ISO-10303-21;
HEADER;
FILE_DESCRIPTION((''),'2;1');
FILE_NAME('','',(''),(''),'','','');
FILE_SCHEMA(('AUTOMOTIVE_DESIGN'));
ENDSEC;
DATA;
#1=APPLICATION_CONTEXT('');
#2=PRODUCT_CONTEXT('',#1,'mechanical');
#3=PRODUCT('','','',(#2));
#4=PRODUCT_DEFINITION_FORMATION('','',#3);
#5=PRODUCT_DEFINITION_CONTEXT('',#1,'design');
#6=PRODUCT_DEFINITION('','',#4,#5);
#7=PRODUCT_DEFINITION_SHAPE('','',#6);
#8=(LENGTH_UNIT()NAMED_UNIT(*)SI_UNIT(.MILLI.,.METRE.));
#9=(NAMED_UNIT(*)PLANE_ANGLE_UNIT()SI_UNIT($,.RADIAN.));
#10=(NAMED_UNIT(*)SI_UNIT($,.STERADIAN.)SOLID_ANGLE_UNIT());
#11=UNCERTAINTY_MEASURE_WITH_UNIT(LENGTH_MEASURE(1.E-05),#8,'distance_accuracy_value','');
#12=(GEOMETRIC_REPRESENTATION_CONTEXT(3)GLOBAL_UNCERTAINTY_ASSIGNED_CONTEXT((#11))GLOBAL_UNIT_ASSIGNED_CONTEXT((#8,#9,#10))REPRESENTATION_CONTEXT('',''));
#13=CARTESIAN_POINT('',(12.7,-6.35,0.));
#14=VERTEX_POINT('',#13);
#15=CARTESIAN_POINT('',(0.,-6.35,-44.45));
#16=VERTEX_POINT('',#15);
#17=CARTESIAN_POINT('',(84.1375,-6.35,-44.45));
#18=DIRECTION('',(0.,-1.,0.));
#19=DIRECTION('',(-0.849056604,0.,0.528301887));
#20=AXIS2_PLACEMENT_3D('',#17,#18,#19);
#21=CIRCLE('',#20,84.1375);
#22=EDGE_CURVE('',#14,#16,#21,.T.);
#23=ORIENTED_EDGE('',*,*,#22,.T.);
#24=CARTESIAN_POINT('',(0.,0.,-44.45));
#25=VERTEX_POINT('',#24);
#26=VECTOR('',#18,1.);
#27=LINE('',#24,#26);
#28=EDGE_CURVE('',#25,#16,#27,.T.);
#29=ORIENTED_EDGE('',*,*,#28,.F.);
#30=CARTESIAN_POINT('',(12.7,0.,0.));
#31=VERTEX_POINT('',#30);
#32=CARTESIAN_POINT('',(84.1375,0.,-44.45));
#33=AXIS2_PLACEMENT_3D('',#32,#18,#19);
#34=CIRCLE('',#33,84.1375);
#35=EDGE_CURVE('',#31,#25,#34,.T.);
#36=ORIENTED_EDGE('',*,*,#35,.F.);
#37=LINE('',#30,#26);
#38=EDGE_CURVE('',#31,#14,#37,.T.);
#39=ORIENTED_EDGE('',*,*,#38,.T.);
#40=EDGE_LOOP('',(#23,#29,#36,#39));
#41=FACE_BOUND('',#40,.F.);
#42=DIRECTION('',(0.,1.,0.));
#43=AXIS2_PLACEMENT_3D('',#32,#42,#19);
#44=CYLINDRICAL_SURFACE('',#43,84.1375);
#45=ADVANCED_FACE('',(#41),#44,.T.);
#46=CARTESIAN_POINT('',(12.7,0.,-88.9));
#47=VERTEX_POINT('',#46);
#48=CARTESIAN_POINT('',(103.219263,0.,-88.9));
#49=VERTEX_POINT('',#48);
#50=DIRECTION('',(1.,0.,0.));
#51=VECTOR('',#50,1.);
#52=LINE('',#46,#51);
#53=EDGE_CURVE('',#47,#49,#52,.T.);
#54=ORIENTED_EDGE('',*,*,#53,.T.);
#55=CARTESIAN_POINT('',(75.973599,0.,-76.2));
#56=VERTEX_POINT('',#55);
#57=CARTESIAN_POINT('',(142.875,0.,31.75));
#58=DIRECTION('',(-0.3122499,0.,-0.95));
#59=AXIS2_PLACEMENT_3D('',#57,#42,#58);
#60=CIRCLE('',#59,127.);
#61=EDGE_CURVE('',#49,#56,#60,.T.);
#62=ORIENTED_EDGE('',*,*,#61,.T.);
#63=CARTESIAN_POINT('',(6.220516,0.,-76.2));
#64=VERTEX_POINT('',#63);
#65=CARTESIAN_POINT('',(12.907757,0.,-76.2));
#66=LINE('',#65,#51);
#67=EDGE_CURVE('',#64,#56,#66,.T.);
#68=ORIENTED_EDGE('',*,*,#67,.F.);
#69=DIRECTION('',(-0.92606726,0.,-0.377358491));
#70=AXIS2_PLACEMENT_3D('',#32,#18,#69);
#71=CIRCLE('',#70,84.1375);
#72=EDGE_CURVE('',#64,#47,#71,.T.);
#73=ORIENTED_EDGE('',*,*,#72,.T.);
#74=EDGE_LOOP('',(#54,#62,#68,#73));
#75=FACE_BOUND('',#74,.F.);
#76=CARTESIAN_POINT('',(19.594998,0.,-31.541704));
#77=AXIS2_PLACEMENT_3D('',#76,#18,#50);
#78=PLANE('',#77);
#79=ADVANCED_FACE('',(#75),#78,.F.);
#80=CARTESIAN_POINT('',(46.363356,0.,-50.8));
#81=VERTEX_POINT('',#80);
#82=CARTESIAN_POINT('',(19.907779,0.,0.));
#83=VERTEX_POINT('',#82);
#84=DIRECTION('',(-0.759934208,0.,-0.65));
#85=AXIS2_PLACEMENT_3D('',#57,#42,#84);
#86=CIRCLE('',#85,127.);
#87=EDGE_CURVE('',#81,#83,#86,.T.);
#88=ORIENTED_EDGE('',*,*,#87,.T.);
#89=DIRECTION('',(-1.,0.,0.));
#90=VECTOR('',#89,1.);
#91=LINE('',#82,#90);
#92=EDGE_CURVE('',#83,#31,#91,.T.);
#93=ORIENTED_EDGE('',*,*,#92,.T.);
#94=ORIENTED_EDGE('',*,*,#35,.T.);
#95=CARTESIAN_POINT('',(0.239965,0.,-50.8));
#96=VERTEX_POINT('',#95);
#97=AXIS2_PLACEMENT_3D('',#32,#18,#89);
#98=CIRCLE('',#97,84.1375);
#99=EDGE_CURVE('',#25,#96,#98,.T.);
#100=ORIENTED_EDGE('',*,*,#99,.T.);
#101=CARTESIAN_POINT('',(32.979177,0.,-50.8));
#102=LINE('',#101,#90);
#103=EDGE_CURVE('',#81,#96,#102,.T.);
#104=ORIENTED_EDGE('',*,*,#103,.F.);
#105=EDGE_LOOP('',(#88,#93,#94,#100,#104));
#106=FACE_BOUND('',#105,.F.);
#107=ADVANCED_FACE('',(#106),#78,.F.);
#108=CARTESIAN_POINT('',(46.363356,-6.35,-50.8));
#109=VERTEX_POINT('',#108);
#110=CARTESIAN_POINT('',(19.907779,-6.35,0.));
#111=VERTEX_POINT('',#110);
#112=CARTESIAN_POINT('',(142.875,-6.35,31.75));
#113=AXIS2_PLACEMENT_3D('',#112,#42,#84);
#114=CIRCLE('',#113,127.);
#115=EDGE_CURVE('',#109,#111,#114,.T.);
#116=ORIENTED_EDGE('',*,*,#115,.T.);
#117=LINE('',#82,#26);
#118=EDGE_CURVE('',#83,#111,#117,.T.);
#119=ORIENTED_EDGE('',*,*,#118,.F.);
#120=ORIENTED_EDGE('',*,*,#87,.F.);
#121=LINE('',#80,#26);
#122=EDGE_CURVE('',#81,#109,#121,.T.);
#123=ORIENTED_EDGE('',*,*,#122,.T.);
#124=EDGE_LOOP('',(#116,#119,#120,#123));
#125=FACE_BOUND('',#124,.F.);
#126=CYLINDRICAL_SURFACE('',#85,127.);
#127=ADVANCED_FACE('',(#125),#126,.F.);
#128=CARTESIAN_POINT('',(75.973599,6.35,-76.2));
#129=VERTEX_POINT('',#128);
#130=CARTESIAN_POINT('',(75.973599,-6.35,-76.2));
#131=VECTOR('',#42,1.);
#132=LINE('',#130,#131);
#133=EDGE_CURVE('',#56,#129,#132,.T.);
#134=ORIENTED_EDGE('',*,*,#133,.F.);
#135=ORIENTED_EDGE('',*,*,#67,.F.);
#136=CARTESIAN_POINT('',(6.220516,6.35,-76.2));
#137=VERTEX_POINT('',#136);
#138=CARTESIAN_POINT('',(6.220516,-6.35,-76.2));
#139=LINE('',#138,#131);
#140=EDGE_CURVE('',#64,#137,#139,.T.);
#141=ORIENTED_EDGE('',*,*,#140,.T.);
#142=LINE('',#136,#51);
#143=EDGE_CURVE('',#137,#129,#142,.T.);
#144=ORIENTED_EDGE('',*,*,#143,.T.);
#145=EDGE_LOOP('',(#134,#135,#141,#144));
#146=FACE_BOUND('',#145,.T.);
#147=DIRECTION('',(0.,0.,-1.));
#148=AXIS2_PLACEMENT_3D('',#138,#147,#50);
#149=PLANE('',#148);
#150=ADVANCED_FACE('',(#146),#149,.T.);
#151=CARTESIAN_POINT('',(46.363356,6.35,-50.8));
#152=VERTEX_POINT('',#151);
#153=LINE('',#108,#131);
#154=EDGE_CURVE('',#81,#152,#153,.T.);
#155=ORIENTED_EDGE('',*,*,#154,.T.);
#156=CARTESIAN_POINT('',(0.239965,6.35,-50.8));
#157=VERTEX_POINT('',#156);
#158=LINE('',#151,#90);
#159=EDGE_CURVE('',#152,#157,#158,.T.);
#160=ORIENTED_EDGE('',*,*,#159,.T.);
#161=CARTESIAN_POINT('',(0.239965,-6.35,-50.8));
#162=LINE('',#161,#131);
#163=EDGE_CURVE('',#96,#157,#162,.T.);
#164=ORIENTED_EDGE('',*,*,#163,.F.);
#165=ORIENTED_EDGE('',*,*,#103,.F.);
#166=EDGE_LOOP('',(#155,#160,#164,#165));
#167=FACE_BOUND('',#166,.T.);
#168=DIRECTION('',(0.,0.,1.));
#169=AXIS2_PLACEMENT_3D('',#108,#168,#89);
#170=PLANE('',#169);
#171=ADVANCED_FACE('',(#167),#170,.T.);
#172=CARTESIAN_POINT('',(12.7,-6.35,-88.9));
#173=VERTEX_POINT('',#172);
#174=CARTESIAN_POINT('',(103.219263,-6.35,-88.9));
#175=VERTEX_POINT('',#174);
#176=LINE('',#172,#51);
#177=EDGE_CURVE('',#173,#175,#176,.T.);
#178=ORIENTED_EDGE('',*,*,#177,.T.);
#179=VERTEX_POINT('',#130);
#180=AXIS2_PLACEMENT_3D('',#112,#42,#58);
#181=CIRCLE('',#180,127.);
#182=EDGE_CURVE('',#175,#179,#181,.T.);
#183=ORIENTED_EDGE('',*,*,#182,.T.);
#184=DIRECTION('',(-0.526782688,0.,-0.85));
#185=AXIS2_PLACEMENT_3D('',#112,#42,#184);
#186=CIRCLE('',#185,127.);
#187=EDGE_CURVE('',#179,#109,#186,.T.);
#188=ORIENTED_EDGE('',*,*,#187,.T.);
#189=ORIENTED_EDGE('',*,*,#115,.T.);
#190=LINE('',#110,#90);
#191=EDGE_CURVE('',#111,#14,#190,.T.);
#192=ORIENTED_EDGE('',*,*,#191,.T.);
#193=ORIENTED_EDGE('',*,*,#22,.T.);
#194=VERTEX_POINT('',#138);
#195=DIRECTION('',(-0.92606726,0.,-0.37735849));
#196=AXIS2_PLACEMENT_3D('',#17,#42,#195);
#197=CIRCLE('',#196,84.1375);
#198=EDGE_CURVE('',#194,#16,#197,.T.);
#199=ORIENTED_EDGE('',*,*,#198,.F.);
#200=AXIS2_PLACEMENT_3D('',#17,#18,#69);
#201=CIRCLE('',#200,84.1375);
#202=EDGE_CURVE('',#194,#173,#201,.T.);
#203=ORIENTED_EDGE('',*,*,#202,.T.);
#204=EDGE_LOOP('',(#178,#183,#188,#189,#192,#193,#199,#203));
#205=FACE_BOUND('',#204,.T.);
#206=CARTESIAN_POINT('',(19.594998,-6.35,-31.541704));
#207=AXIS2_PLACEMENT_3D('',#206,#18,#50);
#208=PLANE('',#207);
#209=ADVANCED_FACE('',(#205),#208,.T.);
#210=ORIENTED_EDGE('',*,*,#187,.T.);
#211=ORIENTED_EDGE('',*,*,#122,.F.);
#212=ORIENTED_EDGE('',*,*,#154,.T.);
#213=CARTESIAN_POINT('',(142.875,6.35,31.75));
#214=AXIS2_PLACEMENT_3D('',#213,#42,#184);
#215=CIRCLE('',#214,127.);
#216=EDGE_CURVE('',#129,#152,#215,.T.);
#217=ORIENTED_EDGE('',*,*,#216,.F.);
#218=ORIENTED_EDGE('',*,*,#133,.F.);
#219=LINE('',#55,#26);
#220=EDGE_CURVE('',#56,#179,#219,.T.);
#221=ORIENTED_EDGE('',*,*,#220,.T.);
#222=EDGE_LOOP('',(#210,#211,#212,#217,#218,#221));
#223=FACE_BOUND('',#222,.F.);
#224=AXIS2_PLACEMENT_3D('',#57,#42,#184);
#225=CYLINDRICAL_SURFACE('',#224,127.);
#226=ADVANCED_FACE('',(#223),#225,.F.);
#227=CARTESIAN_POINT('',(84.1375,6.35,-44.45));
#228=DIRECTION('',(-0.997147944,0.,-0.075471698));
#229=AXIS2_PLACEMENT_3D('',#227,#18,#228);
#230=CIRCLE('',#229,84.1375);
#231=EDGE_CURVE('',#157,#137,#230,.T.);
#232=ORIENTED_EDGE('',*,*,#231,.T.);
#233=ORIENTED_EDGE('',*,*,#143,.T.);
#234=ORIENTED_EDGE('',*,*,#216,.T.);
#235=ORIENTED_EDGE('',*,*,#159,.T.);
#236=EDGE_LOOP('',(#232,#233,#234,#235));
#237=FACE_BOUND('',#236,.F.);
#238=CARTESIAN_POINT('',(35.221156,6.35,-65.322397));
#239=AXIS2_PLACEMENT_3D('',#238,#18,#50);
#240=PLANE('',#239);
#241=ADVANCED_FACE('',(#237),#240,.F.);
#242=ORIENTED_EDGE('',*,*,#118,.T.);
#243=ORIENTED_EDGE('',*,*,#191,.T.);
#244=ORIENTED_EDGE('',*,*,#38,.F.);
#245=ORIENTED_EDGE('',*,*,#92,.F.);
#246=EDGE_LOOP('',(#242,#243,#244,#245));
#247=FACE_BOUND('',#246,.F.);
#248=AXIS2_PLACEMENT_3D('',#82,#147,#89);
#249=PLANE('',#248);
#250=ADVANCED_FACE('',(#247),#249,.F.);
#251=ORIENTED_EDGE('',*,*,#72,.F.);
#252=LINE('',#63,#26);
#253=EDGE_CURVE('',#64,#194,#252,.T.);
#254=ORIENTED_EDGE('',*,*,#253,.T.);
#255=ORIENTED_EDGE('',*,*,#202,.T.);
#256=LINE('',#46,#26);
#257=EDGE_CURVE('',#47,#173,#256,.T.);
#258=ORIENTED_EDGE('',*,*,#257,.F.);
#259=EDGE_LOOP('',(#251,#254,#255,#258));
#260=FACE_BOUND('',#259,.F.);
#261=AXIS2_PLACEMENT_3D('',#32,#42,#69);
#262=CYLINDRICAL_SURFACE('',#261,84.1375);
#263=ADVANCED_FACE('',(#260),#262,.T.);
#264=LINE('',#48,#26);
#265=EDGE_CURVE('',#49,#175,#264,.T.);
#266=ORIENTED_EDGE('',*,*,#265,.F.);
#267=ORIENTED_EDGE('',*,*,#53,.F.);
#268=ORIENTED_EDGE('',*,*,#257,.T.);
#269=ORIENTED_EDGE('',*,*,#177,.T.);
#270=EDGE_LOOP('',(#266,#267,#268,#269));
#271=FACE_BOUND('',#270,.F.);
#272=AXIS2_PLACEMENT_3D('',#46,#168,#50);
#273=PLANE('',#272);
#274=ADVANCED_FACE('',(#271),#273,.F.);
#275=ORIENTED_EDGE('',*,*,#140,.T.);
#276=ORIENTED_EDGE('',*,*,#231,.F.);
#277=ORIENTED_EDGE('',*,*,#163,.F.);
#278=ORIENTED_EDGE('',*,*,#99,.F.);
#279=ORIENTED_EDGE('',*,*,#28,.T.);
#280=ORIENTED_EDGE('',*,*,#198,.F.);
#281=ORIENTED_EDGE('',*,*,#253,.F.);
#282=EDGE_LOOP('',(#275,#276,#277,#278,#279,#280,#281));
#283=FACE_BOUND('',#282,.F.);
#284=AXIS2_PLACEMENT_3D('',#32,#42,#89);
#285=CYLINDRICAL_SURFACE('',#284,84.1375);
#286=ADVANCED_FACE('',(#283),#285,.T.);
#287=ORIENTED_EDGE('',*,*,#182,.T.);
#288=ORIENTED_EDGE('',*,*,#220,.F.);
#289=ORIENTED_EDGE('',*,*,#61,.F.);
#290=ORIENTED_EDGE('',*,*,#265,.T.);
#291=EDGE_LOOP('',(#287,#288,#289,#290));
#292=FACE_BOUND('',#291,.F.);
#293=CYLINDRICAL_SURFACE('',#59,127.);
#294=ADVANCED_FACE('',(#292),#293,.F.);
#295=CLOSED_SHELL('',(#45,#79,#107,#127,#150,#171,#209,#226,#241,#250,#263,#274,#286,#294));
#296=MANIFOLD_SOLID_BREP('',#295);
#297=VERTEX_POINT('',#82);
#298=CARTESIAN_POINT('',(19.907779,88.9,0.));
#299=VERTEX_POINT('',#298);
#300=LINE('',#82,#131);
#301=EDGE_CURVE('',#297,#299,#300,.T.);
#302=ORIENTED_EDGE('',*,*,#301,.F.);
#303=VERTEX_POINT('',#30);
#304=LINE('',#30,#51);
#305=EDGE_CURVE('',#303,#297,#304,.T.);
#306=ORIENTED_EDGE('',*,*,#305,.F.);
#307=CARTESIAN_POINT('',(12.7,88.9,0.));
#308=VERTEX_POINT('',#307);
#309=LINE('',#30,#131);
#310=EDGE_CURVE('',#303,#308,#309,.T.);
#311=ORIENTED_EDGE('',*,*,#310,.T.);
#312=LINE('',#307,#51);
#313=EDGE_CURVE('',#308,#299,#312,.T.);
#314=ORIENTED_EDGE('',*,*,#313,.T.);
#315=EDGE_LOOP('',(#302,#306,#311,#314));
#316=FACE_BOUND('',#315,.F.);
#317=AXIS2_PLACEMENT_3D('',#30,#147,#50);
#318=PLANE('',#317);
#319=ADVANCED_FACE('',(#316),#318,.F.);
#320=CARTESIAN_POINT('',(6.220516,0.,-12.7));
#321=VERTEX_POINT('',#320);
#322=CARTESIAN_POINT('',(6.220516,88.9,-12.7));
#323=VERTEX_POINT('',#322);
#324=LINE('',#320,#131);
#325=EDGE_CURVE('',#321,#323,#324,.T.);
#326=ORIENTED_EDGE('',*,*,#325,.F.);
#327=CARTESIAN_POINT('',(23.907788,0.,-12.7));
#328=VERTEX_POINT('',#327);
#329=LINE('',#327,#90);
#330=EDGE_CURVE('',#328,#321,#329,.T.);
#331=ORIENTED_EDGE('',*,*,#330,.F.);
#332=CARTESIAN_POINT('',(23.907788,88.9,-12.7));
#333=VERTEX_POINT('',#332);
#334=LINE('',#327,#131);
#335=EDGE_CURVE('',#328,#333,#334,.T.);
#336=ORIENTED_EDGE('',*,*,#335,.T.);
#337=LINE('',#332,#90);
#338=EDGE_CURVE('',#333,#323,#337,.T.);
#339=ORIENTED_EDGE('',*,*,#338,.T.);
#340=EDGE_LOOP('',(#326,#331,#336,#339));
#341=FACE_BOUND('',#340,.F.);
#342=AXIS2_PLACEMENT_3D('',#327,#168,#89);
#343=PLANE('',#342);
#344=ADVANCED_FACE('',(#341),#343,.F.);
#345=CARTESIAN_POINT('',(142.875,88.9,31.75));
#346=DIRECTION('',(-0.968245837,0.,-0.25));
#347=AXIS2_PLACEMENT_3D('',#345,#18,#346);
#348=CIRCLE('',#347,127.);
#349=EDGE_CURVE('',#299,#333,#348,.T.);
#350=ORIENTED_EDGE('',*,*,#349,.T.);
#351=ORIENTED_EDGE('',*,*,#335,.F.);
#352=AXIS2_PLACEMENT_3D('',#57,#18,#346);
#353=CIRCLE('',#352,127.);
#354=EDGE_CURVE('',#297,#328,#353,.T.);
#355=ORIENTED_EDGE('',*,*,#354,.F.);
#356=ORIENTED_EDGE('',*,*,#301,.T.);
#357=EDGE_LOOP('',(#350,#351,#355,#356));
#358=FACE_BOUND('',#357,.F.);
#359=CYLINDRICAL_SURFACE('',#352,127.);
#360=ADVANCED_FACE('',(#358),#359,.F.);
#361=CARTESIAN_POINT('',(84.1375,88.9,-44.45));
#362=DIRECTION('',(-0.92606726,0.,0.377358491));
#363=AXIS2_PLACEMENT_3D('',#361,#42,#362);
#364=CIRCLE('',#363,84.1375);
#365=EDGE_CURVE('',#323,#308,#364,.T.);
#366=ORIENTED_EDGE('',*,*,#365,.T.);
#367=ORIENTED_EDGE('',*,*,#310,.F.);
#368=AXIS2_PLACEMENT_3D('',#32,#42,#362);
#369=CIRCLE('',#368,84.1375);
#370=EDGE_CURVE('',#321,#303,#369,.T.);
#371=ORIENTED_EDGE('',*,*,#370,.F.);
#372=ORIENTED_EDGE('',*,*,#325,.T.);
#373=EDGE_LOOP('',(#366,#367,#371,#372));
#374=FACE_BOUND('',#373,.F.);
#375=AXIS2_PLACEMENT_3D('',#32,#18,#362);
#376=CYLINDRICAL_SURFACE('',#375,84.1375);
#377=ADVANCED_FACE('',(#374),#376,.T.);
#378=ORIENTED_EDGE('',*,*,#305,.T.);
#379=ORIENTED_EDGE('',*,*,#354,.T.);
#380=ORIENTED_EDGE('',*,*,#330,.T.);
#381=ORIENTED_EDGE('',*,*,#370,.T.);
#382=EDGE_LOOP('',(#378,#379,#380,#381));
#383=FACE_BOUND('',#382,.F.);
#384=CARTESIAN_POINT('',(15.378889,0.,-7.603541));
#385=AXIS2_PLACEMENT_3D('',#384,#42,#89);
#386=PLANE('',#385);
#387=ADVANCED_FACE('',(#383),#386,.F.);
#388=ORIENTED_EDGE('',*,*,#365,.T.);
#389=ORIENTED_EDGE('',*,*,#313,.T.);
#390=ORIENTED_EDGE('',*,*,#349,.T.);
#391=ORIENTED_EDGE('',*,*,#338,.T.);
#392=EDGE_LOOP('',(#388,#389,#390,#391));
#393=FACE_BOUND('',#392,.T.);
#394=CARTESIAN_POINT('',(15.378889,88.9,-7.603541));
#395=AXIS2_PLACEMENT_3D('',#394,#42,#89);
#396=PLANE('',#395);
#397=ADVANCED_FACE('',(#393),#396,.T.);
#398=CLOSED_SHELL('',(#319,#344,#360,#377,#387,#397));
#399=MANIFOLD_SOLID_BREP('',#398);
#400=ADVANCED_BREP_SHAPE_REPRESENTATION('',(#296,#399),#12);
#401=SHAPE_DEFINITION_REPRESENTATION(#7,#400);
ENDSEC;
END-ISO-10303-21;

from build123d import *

# Parameters (mm, degrees)
F1_DEPTH = 6.35
F3_DEPTH = 12.7
F5_DEPTH = 88.9


with BuildPart() as f1:
    # F0 (on Front) → F1 (new body)
    with BuildSketch(Plane.XZ):
        with BuildLine():
            ThreePointArc((12.7, 0), (3.2372788554, -21.3356511015), (0, -44.45))
            ThreePointArc((0, -44.45), (0.0600126121, -47.6272662433), (0.2399648381, -50.8))
            Line((0.2399648381, -50.8), (46.3633556248, -50.8))
            ThreePointArc((46.3633556248, -50.8), (30.2344073473, -26.9108633319), (19.9077787579, 0))
            Line((19.9077787579, 0), (12.7, 0))
        make_face()
        with BuildLine():
            Line((46.3633556248, -50.8), (0.2399648381, -50.8))
            ThreePointArc((0.2399648381, -50.8), (2.2395472881, -63.7332634128), (6.220515932, -76.2))
            Line((6.220515932, -76.2), (75.9735986694, -76.2))
            ThreePointArc((75.9735986694, -76.2), (60.1873595892, -64.6437452498), (46.3633556248, -50.8))
        make_face()
        with BuildLine():
            ThreePointArc((6.220515932, -76.2), (9.1907657296, -82.6874937522), (12.7, -88.9))
            Line((12.7, -88.9), (13.0139251954, -88.9))
            Line((13.0139251954, -88.9), (103.2192627102, -88.9))
            ThreePointArc((103.2192627102, -88.9), (89.2193530675, -83.3589551349), (75.9735986694, -76.2))
            Line((75.9735986694, -76.2), (6.220515932, -76.2))
        make_face()
    extrude(amount=F1_DEPTH)

    # F2 (on face) → F3 (join)
    with BuildSketch(Plane.XZ.offset(6.35)):
        with BuildLine():
            ThreePointArc((0.2399648381, -50.8), (2.2395472881, -63.7332634128), (6.220515932, -76.2))
            Line((6.220515932, -76.2), (75.9735986694, -76.2))
            ThreePointArc((75.9735986694, -76.2), (60.1873595892, -64.6437452498), (46.3633556248, -50.8))
            Line((46.3633556248, -50.8), (0.2399648381, -50.8))
        make_face()
    extrude(amount=-F3_DEPTH)


with BuildPart() as f5:
    # F4 (on face) → F5 (new body)
    with BuildSketch(Plane(origin=(0, 0, 0), x_dir=(-1, 0, 0), z_dir=(0, 1, 0))):
        with BuildLine():
            ThreePointArc((-19.9077787579, 0), (-21.741231045, -6.4024575715), (-23.9077881305, -12.7))
            Line((-23.9077881305, -12.7), (-6.220515932, -12.7))
            ThreePointArc((-6.220515932, -12.7), (-9.1907657296, -6.2125062478), (-12.7, 0))
            Line((-12.7, 0), (-19.9077787579, 0))
        make_face()
    extrude(amount=F5_DEPTH)


solid = Compound([f1.part, f5.part])
